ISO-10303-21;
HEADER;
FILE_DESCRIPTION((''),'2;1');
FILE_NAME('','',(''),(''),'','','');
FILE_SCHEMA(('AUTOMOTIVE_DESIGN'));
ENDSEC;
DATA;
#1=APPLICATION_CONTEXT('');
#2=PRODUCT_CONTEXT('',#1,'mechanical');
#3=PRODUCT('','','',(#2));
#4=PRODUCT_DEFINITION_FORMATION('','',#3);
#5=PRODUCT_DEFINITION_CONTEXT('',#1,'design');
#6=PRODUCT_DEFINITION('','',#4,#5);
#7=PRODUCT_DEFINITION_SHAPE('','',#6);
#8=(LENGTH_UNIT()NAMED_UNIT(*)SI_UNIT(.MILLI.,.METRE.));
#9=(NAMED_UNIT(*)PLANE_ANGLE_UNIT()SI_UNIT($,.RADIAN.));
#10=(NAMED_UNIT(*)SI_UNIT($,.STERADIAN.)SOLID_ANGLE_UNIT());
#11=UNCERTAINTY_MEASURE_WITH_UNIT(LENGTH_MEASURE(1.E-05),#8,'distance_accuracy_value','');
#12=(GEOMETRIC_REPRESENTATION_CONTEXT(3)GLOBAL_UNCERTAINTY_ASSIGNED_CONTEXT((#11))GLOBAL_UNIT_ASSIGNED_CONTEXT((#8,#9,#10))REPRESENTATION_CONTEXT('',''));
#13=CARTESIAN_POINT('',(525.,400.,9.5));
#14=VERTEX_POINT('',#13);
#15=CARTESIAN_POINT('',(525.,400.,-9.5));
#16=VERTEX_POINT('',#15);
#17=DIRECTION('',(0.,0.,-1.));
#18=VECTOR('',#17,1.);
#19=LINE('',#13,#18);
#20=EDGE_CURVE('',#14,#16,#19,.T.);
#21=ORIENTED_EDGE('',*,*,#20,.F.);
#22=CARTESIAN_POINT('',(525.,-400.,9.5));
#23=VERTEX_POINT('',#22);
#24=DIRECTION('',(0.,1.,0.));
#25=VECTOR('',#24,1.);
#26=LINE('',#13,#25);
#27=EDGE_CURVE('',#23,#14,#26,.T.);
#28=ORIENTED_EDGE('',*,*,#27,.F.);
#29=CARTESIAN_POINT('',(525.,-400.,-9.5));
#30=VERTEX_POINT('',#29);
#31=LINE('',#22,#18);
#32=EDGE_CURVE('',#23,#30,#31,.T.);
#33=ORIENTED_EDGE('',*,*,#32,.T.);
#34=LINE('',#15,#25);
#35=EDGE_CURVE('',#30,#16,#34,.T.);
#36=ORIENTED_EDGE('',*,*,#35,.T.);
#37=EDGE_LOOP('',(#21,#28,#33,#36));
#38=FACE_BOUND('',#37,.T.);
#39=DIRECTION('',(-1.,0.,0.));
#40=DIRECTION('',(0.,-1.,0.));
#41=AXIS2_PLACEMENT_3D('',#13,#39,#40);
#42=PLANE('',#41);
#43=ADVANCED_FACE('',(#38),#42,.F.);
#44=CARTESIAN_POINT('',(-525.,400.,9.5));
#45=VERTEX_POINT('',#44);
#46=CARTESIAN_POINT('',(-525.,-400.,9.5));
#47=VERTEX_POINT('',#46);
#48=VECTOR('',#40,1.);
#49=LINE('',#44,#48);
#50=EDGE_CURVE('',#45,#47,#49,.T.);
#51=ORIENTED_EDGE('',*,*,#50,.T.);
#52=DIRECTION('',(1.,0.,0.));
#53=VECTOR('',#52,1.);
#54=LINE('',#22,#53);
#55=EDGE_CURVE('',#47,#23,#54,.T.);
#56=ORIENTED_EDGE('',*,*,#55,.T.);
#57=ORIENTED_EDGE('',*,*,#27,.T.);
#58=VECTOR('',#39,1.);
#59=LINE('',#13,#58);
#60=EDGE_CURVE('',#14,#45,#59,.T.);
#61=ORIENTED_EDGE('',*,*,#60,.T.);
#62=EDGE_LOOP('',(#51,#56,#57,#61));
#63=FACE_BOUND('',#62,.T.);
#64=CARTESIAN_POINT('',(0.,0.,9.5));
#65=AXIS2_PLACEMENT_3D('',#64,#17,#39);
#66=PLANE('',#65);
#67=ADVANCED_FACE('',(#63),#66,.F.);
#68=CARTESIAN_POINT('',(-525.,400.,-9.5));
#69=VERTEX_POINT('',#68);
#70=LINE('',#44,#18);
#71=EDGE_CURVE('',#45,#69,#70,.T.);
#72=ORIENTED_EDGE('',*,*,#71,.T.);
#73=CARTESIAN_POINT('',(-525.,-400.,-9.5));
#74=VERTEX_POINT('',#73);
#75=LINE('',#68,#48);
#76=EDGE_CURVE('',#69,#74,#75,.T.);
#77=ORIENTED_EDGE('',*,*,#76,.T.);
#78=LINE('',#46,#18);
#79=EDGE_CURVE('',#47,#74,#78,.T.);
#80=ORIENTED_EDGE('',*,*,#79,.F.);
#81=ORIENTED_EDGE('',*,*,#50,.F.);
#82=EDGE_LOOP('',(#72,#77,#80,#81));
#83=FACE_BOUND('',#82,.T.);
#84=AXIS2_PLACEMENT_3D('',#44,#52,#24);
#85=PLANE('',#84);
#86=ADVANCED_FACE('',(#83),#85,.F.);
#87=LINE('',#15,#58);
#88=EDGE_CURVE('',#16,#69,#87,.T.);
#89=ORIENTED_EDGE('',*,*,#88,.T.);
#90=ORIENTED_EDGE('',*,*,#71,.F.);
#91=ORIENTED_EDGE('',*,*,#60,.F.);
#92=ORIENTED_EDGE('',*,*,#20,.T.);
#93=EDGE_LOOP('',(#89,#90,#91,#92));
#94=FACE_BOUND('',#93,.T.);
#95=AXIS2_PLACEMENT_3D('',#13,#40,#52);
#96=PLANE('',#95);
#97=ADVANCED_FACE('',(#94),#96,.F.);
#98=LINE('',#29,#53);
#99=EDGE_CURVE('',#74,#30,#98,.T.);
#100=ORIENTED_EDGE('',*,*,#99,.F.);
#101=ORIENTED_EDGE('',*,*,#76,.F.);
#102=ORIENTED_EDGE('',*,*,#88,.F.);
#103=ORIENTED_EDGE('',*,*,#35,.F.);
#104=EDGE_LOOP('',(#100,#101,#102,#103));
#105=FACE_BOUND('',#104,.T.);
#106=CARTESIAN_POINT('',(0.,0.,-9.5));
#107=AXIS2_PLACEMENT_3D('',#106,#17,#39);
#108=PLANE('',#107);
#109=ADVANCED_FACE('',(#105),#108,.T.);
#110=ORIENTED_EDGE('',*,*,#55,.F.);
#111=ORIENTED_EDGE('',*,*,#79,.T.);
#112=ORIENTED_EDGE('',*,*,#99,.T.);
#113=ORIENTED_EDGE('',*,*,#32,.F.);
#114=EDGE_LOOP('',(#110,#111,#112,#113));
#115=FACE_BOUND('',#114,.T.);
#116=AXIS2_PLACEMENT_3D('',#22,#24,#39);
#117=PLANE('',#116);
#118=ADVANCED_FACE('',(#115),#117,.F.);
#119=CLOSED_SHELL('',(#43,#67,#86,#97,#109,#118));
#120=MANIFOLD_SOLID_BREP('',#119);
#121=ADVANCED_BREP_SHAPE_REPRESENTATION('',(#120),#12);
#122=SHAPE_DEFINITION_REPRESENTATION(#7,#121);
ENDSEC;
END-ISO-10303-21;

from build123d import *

# Parameters (mm, degrees)
SKIZZE1_W                       = 1050
SKIZZE1_H                       = 800
AUFSATZ_LINEAR_AUSTRAGEN1_DEPTH = 9.5


with BuildPart() as part:
    # Skizze1 → Aufsatz-Linear austragen1 (new, symmetric)
    with BuildSketch(Plane.XY):
        Rectangle(SKIZZE1_W, SKIZZE1_H)
    extrude(amount=AUFSATZ_LINEAR_AUSTRAGEN1_DEPTH, both=True)


solid = part.part
